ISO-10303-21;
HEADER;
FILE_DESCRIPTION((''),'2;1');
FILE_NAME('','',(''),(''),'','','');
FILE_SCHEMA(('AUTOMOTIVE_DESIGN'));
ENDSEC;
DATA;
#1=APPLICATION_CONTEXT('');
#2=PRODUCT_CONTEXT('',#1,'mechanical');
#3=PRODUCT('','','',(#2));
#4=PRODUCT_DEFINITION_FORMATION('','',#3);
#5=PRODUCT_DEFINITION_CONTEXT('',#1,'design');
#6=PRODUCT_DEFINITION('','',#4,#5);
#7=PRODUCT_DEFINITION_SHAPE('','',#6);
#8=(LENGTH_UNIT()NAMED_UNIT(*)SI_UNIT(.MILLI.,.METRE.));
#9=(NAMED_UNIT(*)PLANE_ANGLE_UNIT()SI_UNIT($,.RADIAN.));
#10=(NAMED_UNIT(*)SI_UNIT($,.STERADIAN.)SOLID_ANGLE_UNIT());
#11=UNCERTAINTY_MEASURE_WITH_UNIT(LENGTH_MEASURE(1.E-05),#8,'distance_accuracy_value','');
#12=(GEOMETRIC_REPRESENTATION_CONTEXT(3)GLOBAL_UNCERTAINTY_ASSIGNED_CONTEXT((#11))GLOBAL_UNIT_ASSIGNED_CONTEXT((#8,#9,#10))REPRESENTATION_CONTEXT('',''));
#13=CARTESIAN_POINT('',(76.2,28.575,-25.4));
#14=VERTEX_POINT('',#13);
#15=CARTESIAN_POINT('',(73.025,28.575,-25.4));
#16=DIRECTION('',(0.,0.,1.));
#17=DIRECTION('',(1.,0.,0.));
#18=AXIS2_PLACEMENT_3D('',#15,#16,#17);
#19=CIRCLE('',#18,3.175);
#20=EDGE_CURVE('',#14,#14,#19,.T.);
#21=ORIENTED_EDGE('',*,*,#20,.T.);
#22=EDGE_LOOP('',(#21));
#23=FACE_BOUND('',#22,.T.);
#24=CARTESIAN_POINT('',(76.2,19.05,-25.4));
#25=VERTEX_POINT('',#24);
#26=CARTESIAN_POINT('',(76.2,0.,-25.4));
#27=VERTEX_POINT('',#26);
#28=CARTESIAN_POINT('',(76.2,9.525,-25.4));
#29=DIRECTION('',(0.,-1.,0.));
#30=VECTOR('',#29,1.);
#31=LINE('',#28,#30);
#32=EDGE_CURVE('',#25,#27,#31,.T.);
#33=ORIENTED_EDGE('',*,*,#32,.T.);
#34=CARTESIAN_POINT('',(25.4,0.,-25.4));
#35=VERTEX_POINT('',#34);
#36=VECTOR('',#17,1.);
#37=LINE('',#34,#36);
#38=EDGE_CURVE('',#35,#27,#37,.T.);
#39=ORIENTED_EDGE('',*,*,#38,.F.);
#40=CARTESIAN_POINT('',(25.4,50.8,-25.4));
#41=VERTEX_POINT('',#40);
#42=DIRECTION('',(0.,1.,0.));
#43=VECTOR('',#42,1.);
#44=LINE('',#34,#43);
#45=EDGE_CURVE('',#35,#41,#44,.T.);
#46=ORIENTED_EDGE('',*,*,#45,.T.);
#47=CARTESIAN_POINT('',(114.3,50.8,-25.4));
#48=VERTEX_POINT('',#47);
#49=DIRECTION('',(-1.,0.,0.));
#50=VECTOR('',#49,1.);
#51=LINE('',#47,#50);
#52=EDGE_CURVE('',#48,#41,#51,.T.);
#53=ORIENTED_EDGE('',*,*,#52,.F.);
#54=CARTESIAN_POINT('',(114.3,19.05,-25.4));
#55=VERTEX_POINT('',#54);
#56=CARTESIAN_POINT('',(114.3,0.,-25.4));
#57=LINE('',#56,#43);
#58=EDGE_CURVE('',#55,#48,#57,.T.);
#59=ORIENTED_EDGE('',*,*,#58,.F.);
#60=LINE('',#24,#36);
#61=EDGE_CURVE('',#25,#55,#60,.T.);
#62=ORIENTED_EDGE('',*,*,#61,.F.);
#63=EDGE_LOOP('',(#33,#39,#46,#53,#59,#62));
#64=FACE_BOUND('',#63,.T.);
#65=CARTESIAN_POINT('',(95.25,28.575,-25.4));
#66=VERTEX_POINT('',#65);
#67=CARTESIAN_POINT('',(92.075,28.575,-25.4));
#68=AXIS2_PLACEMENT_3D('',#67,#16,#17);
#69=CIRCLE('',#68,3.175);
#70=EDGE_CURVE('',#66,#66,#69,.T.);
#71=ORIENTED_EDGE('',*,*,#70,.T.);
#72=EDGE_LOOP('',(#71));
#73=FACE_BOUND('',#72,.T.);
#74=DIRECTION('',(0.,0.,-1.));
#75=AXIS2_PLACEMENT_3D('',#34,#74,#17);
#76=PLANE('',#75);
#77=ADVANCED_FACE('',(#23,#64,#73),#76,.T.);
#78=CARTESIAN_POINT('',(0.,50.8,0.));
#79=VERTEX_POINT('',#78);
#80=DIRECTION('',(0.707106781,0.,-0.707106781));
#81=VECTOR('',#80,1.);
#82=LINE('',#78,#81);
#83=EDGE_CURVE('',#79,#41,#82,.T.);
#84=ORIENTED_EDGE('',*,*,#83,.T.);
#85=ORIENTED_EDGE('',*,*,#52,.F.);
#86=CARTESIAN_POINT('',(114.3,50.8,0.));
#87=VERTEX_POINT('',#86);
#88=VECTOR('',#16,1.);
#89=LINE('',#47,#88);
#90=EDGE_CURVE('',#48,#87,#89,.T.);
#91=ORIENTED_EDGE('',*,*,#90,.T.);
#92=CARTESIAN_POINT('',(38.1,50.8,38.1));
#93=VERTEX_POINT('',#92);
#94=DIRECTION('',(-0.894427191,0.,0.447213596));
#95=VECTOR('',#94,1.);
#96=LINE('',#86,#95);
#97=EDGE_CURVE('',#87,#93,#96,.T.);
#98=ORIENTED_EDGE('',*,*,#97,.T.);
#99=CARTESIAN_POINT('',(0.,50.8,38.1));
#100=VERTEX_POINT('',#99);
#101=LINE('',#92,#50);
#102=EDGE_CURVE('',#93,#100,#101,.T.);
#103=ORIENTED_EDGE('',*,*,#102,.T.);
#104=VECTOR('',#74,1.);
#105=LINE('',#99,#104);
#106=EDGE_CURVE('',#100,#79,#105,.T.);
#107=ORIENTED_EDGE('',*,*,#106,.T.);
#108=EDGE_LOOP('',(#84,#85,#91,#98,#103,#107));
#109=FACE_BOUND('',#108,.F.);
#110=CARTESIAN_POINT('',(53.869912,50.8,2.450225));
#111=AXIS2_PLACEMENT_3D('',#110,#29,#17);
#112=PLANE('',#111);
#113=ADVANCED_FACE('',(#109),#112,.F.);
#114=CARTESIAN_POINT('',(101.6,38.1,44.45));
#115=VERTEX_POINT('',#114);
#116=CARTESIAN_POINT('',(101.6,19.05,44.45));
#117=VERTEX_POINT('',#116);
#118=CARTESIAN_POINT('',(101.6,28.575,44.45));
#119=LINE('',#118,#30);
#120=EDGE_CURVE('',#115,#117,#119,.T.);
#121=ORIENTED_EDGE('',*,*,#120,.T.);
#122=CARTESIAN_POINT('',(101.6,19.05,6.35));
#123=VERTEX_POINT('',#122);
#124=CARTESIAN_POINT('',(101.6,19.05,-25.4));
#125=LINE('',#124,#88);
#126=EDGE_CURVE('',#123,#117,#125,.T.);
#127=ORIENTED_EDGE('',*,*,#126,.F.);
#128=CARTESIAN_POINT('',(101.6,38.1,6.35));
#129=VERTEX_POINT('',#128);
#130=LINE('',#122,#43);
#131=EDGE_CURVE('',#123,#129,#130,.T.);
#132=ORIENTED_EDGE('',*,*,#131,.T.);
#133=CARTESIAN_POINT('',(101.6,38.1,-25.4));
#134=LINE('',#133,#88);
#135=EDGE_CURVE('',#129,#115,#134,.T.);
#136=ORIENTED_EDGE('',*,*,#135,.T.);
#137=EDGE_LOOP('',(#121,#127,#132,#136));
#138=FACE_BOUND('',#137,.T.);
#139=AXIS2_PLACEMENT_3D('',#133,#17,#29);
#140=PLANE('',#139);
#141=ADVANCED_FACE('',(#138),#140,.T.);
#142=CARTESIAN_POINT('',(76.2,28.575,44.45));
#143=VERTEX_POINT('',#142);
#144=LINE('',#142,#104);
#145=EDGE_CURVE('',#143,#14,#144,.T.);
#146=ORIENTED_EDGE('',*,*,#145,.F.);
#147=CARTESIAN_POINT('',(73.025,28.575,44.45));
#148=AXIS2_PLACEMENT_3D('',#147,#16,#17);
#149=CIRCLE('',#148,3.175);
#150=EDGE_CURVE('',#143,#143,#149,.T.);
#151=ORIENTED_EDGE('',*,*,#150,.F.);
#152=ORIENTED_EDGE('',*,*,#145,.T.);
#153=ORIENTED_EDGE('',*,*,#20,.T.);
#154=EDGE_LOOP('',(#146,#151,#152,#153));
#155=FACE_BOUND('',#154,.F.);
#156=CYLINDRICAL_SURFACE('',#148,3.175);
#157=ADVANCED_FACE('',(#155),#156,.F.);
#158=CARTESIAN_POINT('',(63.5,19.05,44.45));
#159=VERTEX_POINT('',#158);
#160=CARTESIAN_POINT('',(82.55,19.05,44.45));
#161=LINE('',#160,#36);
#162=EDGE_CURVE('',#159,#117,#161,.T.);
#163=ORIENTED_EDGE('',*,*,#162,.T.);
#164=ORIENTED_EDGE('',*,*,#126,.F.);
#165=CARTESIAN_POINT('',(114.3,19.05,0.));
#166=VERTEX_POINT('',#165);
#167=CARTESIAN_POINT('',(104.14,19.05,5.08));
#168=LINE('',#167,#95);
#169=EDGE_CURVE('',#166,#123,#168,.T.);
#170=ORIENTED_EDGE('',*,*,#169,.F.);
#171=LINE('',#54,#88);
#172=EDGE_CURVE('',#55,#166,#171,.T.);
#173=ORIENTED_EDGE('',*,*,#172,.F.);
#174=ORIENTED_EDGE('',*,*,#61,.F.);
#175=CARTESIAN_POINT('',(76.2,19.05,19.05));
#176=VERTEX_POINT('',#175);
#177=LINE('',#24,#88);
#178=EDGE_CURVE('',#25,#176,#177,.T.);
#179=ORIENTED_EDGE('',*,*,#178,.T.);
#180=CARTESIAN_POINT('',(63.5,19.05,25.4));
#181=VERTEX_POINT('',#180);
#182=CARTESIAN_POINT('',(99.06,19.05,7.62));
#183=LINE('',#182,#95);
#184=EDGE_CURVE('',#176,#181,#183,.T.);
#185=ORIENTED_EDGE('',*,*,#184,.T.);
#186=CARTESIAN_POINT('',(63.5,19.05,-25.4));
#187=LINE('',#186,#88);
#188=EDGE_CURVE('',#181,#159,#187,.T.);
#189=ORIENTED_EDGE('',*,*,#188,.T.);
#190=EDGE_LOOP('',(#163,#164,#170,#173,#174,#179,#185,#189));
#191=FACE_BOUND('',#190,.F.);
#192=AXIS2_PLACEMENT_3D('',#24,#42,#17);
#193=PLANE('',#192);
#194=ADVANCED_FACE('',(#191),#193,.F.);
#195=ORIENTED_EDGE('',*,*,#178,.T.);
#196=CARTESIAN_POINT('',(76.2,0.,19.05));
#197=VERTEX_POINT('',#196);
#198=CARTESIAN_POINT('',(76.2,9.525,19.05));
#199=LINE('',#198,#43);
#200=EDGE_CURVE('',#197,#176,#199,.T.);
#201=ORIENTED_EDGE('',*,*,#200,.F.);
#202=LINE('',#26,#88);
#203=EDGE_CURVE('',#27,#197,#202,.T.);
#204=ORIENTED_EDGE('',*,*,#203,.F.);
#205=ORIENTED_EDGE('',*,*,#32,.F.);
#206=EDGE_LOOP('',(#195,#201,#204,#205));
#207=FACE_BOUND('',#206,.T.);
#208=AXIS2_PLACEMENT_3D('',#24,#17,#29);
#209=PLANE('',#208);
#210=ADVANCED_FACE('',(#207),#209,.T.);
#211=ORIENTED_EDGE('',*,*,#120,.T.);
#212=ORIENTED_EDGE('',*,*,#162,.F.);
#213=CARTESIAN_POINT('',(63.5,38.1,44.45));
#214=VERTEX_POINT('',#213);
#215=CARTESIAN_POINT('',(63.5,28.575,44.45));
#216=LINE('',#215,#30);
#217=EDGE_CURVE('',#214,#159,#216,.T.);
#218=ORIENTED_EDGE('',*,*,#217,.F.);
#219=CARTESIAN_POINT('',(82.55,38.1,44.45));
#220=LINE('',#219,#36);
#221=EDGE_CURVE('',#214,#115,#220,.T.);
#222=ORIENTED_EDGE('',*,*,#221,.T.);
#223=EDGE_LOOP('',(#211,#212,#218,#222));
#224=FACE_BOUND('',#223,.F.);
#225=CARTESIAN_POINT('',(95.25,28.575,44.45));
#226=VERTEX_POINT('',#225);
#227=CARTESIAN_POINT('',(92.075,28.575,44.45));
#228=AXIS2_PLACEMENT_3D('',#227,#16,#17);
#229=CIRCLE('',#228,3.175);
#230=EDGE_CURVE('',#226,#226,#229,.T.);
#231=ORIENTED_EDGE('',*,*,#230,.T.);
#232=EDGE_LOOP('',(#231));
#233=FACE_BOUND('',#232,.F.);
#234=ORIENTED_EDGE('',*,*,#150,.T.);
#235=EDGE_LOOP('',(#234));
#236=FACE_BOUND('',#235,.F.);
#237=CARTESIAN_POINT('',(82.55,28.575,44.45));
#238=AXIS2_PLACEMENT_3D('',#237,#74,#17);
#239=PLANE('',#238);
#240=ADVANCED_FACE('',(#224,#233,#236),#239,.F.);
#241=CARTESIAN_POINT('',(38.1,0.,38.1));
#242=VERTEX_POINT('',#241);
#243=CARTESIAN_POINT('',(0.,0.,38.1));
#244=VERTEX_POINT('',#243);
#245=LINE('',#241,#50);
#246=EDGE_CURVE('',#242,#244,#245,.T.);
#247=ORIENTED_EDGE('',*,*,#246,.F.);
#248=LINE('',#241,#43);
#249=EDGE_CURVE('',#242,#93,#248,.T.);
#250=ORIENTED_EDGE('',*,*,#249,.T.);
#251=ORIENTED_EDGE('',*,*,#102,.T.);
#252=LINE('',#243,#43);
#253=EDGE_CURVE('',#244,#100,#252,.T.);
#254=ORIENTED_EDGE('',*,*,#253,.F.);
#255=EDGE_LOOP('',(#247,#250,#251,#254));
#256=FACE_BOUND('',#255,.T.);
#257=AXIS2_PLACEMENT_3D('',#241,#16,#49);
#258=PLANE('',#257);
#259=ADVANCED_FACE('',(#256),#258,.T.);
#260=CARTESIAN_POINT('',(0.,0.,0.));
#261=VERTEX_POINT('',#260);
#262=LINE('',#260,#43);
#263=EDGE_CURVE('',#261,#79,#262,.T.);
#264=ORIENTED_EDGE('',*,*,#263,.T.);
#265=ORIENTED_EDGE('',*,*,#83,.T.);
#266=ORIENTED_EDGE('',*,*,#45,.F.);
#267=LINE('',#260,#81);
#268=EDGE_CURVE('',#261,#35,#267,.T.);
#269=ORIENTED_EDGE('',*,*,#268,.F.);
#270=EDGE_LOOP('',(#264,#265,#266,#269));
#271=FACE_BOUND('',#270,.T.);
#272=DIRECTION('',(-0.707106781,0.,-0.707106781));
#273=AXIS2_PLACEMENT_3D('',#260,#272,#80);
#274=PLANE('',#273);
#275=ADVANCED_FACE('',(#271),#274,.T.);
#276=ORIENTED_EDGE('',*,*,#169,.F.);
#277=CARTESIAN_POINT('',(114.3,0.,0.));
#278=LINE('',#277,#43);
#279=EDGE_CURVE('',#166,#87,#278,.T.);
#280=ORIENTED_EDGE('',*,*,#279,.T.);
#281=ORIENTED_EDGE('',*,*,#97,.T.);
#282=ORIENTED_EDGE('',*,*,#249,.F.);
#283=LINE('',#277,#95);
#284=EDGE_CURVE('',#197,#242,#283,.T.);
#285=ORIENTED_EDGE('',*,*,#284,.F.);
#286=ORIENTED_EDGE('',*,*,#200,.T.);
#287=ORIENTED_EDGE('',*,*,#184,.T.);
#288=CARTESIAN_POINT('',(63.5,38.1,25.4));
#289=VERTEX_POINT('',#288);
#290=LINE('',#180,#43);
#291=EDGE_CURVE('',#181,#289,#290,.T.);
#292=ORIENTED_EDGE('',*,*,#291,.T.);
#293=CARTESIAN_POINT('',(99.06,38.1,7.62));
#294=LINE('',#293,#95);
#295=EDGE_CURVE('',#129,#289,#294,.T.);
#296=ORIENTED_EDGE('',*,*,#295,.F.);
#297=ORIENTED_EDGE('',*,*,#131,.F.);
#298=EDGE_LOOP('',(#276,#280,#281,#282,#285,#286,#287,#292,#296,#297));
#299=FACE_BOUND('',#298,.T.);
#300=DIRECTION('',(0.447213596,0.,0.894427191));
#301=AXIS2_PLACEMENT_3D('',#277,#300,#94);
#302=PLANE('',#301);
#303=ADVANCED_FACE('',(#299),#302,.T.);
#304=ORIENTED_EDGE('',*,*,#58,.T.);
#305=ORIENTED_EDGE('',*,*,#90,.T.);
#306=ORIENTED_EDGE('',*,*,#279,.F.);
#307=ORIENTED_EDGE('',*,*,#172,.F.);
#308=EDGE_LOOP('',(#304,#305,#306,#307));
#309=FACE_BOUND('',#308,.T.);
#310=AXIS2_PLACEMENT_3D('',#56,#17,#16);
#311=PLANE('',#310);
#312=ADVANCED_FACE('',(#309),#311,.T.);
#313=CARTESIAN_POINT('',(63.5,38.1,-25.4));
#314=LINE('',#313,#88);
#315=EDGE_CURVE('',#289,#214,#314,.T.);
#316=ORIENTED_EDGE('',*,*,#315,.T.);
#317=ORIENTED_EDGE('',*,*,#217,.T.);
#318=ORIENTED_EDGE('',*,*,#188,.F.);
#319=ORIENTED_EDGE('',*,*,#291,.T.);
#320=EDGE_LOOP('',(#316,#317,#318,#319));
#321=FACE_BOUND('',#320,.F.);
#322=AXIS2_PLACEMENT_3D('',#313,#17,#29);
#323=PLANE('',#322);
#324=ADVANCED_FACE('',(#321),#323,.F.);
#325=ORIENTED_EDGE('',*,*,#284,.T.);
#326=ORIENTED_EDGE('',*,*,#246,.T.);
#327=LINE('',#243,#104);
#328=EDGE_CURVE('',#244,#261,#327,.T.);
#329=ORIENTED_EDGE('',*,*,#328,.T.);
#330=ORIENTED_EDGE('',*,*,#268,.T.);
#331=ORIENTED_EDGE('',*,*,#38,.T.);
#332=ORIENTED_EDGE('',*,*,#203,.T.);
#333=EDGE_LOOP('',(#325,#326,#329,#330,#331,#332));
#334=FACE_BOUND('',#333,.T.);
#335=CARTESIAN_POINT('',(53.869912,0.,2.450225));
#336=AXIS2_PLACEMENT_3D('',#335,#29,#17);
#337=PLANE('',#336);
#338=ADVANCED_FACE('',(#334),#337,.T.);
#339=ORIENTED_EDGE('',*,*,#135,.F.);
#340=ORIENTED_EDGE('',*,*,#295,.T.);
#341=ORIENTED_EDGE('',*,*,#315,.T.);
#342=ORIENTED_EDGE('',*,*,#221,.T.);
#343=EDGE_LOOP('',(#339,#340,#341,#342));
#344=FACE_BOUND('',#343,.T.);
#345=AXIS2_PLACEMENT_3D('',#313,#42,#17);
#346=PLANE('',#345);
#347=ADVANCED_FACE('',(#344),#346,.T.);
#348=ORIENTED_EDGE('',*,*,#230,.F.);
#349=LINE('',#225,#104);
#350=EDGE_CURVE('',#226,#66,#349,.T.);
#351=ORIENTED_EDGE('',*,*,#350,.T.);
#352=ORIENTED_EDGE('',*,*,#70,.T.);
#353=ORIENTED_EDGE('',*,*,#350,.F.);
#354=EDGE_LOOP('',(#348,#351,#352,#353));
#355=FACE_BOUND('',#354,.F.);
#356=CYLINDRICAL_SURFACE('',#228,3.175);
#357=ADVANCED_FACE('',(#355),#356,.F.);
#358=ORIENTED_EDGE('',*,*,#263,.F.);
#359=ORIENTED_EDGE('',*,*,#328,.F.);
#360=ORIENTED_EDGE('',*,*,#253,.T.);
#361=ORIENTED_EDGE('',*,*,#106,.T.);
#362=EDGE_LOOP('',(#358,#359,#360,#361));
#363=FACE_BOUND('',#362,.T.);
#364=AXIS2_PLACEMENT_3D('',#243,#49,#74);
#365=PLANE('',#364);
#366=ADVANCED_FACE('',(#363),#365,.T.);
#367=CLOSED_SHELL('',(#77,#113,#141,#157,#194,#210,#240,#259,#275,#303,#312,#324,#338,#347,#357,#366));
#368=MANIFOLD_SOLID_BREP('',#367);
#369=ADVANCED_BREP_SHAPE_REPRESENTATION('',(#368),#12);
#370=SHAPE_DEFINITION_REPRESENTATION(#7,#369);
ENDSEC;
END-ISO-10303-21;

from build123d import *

# Parameters (mm, degrees)
F1_DEPTH  = 50.8
F4_DEPTH  = 31.75
F5_W      = 38.1
F5_H      = 19.05
F6_DEPTH  = 101.6
F7_W      = 38.1
F7_H      = 19.05
F8_DEPTH  = 69.85
F9_R      = 3.175
F10_DEPTH = 69.85


with BuildPart() as f1:
    # F0 (on Front) → F1 (new body)
    with BuildSketch(Plane.XZ):
        Polygon((0, 38.1), (0, 0), (25.4, -25.4), (114.3, -25.4), (114.3, 0), (76.2, 19.05), (38.1, 38.1), align=None)
    extrude(amount=-F1_DEPTH)

    # F3 (on offset) → F4 (join)
    with BuildSketch(Plane.XZ.offset(-19.05)):
        Polygon((99.421024, 6.35), (74.021024, 6.35), (74.021024, -25.4), (112.121024, -25.4), (112.121024, 0), align=None)
    extrude(amount=-F4_DEPTH)

    # F5 (on face) → F6 (cut)
    with BuildSketch(Plane(origin=(0, 0, -25.4), x_dir=(1, 0, 0), z_dir=(0, 0, -1))):
        with Locations((95.25, -9.525)):
            Rectangle(F5_W, F5_H)
    extrude(amount=-F6_DEPTH, mode=Mode.SUBTRACT)

    # F7 (on face) → F8 (join)
    with BuildSketch(Plane(origin=(0, 0, -25.4), x_dir=(1, 0, 0), z_dir=(0, 0, -1))):
        with Locations((82.55, -28.575)):
            Rectangle(F7_W, F7_H)
    extrude(amount=-F8_DEPTH)

    # F9 (on face) → F10 (cut)
    with BuildSketch(Plane.XY.offset(44.45)):
        with Locations((73.025, 28.575)):
            Circle(F9_R)
        with Locations((92.075, 28.575)):
            Circle(F9_R)
    extrude(amount=-F10_DEPTH, mode=Mode.SUBTRACT)


solid = f1.part
